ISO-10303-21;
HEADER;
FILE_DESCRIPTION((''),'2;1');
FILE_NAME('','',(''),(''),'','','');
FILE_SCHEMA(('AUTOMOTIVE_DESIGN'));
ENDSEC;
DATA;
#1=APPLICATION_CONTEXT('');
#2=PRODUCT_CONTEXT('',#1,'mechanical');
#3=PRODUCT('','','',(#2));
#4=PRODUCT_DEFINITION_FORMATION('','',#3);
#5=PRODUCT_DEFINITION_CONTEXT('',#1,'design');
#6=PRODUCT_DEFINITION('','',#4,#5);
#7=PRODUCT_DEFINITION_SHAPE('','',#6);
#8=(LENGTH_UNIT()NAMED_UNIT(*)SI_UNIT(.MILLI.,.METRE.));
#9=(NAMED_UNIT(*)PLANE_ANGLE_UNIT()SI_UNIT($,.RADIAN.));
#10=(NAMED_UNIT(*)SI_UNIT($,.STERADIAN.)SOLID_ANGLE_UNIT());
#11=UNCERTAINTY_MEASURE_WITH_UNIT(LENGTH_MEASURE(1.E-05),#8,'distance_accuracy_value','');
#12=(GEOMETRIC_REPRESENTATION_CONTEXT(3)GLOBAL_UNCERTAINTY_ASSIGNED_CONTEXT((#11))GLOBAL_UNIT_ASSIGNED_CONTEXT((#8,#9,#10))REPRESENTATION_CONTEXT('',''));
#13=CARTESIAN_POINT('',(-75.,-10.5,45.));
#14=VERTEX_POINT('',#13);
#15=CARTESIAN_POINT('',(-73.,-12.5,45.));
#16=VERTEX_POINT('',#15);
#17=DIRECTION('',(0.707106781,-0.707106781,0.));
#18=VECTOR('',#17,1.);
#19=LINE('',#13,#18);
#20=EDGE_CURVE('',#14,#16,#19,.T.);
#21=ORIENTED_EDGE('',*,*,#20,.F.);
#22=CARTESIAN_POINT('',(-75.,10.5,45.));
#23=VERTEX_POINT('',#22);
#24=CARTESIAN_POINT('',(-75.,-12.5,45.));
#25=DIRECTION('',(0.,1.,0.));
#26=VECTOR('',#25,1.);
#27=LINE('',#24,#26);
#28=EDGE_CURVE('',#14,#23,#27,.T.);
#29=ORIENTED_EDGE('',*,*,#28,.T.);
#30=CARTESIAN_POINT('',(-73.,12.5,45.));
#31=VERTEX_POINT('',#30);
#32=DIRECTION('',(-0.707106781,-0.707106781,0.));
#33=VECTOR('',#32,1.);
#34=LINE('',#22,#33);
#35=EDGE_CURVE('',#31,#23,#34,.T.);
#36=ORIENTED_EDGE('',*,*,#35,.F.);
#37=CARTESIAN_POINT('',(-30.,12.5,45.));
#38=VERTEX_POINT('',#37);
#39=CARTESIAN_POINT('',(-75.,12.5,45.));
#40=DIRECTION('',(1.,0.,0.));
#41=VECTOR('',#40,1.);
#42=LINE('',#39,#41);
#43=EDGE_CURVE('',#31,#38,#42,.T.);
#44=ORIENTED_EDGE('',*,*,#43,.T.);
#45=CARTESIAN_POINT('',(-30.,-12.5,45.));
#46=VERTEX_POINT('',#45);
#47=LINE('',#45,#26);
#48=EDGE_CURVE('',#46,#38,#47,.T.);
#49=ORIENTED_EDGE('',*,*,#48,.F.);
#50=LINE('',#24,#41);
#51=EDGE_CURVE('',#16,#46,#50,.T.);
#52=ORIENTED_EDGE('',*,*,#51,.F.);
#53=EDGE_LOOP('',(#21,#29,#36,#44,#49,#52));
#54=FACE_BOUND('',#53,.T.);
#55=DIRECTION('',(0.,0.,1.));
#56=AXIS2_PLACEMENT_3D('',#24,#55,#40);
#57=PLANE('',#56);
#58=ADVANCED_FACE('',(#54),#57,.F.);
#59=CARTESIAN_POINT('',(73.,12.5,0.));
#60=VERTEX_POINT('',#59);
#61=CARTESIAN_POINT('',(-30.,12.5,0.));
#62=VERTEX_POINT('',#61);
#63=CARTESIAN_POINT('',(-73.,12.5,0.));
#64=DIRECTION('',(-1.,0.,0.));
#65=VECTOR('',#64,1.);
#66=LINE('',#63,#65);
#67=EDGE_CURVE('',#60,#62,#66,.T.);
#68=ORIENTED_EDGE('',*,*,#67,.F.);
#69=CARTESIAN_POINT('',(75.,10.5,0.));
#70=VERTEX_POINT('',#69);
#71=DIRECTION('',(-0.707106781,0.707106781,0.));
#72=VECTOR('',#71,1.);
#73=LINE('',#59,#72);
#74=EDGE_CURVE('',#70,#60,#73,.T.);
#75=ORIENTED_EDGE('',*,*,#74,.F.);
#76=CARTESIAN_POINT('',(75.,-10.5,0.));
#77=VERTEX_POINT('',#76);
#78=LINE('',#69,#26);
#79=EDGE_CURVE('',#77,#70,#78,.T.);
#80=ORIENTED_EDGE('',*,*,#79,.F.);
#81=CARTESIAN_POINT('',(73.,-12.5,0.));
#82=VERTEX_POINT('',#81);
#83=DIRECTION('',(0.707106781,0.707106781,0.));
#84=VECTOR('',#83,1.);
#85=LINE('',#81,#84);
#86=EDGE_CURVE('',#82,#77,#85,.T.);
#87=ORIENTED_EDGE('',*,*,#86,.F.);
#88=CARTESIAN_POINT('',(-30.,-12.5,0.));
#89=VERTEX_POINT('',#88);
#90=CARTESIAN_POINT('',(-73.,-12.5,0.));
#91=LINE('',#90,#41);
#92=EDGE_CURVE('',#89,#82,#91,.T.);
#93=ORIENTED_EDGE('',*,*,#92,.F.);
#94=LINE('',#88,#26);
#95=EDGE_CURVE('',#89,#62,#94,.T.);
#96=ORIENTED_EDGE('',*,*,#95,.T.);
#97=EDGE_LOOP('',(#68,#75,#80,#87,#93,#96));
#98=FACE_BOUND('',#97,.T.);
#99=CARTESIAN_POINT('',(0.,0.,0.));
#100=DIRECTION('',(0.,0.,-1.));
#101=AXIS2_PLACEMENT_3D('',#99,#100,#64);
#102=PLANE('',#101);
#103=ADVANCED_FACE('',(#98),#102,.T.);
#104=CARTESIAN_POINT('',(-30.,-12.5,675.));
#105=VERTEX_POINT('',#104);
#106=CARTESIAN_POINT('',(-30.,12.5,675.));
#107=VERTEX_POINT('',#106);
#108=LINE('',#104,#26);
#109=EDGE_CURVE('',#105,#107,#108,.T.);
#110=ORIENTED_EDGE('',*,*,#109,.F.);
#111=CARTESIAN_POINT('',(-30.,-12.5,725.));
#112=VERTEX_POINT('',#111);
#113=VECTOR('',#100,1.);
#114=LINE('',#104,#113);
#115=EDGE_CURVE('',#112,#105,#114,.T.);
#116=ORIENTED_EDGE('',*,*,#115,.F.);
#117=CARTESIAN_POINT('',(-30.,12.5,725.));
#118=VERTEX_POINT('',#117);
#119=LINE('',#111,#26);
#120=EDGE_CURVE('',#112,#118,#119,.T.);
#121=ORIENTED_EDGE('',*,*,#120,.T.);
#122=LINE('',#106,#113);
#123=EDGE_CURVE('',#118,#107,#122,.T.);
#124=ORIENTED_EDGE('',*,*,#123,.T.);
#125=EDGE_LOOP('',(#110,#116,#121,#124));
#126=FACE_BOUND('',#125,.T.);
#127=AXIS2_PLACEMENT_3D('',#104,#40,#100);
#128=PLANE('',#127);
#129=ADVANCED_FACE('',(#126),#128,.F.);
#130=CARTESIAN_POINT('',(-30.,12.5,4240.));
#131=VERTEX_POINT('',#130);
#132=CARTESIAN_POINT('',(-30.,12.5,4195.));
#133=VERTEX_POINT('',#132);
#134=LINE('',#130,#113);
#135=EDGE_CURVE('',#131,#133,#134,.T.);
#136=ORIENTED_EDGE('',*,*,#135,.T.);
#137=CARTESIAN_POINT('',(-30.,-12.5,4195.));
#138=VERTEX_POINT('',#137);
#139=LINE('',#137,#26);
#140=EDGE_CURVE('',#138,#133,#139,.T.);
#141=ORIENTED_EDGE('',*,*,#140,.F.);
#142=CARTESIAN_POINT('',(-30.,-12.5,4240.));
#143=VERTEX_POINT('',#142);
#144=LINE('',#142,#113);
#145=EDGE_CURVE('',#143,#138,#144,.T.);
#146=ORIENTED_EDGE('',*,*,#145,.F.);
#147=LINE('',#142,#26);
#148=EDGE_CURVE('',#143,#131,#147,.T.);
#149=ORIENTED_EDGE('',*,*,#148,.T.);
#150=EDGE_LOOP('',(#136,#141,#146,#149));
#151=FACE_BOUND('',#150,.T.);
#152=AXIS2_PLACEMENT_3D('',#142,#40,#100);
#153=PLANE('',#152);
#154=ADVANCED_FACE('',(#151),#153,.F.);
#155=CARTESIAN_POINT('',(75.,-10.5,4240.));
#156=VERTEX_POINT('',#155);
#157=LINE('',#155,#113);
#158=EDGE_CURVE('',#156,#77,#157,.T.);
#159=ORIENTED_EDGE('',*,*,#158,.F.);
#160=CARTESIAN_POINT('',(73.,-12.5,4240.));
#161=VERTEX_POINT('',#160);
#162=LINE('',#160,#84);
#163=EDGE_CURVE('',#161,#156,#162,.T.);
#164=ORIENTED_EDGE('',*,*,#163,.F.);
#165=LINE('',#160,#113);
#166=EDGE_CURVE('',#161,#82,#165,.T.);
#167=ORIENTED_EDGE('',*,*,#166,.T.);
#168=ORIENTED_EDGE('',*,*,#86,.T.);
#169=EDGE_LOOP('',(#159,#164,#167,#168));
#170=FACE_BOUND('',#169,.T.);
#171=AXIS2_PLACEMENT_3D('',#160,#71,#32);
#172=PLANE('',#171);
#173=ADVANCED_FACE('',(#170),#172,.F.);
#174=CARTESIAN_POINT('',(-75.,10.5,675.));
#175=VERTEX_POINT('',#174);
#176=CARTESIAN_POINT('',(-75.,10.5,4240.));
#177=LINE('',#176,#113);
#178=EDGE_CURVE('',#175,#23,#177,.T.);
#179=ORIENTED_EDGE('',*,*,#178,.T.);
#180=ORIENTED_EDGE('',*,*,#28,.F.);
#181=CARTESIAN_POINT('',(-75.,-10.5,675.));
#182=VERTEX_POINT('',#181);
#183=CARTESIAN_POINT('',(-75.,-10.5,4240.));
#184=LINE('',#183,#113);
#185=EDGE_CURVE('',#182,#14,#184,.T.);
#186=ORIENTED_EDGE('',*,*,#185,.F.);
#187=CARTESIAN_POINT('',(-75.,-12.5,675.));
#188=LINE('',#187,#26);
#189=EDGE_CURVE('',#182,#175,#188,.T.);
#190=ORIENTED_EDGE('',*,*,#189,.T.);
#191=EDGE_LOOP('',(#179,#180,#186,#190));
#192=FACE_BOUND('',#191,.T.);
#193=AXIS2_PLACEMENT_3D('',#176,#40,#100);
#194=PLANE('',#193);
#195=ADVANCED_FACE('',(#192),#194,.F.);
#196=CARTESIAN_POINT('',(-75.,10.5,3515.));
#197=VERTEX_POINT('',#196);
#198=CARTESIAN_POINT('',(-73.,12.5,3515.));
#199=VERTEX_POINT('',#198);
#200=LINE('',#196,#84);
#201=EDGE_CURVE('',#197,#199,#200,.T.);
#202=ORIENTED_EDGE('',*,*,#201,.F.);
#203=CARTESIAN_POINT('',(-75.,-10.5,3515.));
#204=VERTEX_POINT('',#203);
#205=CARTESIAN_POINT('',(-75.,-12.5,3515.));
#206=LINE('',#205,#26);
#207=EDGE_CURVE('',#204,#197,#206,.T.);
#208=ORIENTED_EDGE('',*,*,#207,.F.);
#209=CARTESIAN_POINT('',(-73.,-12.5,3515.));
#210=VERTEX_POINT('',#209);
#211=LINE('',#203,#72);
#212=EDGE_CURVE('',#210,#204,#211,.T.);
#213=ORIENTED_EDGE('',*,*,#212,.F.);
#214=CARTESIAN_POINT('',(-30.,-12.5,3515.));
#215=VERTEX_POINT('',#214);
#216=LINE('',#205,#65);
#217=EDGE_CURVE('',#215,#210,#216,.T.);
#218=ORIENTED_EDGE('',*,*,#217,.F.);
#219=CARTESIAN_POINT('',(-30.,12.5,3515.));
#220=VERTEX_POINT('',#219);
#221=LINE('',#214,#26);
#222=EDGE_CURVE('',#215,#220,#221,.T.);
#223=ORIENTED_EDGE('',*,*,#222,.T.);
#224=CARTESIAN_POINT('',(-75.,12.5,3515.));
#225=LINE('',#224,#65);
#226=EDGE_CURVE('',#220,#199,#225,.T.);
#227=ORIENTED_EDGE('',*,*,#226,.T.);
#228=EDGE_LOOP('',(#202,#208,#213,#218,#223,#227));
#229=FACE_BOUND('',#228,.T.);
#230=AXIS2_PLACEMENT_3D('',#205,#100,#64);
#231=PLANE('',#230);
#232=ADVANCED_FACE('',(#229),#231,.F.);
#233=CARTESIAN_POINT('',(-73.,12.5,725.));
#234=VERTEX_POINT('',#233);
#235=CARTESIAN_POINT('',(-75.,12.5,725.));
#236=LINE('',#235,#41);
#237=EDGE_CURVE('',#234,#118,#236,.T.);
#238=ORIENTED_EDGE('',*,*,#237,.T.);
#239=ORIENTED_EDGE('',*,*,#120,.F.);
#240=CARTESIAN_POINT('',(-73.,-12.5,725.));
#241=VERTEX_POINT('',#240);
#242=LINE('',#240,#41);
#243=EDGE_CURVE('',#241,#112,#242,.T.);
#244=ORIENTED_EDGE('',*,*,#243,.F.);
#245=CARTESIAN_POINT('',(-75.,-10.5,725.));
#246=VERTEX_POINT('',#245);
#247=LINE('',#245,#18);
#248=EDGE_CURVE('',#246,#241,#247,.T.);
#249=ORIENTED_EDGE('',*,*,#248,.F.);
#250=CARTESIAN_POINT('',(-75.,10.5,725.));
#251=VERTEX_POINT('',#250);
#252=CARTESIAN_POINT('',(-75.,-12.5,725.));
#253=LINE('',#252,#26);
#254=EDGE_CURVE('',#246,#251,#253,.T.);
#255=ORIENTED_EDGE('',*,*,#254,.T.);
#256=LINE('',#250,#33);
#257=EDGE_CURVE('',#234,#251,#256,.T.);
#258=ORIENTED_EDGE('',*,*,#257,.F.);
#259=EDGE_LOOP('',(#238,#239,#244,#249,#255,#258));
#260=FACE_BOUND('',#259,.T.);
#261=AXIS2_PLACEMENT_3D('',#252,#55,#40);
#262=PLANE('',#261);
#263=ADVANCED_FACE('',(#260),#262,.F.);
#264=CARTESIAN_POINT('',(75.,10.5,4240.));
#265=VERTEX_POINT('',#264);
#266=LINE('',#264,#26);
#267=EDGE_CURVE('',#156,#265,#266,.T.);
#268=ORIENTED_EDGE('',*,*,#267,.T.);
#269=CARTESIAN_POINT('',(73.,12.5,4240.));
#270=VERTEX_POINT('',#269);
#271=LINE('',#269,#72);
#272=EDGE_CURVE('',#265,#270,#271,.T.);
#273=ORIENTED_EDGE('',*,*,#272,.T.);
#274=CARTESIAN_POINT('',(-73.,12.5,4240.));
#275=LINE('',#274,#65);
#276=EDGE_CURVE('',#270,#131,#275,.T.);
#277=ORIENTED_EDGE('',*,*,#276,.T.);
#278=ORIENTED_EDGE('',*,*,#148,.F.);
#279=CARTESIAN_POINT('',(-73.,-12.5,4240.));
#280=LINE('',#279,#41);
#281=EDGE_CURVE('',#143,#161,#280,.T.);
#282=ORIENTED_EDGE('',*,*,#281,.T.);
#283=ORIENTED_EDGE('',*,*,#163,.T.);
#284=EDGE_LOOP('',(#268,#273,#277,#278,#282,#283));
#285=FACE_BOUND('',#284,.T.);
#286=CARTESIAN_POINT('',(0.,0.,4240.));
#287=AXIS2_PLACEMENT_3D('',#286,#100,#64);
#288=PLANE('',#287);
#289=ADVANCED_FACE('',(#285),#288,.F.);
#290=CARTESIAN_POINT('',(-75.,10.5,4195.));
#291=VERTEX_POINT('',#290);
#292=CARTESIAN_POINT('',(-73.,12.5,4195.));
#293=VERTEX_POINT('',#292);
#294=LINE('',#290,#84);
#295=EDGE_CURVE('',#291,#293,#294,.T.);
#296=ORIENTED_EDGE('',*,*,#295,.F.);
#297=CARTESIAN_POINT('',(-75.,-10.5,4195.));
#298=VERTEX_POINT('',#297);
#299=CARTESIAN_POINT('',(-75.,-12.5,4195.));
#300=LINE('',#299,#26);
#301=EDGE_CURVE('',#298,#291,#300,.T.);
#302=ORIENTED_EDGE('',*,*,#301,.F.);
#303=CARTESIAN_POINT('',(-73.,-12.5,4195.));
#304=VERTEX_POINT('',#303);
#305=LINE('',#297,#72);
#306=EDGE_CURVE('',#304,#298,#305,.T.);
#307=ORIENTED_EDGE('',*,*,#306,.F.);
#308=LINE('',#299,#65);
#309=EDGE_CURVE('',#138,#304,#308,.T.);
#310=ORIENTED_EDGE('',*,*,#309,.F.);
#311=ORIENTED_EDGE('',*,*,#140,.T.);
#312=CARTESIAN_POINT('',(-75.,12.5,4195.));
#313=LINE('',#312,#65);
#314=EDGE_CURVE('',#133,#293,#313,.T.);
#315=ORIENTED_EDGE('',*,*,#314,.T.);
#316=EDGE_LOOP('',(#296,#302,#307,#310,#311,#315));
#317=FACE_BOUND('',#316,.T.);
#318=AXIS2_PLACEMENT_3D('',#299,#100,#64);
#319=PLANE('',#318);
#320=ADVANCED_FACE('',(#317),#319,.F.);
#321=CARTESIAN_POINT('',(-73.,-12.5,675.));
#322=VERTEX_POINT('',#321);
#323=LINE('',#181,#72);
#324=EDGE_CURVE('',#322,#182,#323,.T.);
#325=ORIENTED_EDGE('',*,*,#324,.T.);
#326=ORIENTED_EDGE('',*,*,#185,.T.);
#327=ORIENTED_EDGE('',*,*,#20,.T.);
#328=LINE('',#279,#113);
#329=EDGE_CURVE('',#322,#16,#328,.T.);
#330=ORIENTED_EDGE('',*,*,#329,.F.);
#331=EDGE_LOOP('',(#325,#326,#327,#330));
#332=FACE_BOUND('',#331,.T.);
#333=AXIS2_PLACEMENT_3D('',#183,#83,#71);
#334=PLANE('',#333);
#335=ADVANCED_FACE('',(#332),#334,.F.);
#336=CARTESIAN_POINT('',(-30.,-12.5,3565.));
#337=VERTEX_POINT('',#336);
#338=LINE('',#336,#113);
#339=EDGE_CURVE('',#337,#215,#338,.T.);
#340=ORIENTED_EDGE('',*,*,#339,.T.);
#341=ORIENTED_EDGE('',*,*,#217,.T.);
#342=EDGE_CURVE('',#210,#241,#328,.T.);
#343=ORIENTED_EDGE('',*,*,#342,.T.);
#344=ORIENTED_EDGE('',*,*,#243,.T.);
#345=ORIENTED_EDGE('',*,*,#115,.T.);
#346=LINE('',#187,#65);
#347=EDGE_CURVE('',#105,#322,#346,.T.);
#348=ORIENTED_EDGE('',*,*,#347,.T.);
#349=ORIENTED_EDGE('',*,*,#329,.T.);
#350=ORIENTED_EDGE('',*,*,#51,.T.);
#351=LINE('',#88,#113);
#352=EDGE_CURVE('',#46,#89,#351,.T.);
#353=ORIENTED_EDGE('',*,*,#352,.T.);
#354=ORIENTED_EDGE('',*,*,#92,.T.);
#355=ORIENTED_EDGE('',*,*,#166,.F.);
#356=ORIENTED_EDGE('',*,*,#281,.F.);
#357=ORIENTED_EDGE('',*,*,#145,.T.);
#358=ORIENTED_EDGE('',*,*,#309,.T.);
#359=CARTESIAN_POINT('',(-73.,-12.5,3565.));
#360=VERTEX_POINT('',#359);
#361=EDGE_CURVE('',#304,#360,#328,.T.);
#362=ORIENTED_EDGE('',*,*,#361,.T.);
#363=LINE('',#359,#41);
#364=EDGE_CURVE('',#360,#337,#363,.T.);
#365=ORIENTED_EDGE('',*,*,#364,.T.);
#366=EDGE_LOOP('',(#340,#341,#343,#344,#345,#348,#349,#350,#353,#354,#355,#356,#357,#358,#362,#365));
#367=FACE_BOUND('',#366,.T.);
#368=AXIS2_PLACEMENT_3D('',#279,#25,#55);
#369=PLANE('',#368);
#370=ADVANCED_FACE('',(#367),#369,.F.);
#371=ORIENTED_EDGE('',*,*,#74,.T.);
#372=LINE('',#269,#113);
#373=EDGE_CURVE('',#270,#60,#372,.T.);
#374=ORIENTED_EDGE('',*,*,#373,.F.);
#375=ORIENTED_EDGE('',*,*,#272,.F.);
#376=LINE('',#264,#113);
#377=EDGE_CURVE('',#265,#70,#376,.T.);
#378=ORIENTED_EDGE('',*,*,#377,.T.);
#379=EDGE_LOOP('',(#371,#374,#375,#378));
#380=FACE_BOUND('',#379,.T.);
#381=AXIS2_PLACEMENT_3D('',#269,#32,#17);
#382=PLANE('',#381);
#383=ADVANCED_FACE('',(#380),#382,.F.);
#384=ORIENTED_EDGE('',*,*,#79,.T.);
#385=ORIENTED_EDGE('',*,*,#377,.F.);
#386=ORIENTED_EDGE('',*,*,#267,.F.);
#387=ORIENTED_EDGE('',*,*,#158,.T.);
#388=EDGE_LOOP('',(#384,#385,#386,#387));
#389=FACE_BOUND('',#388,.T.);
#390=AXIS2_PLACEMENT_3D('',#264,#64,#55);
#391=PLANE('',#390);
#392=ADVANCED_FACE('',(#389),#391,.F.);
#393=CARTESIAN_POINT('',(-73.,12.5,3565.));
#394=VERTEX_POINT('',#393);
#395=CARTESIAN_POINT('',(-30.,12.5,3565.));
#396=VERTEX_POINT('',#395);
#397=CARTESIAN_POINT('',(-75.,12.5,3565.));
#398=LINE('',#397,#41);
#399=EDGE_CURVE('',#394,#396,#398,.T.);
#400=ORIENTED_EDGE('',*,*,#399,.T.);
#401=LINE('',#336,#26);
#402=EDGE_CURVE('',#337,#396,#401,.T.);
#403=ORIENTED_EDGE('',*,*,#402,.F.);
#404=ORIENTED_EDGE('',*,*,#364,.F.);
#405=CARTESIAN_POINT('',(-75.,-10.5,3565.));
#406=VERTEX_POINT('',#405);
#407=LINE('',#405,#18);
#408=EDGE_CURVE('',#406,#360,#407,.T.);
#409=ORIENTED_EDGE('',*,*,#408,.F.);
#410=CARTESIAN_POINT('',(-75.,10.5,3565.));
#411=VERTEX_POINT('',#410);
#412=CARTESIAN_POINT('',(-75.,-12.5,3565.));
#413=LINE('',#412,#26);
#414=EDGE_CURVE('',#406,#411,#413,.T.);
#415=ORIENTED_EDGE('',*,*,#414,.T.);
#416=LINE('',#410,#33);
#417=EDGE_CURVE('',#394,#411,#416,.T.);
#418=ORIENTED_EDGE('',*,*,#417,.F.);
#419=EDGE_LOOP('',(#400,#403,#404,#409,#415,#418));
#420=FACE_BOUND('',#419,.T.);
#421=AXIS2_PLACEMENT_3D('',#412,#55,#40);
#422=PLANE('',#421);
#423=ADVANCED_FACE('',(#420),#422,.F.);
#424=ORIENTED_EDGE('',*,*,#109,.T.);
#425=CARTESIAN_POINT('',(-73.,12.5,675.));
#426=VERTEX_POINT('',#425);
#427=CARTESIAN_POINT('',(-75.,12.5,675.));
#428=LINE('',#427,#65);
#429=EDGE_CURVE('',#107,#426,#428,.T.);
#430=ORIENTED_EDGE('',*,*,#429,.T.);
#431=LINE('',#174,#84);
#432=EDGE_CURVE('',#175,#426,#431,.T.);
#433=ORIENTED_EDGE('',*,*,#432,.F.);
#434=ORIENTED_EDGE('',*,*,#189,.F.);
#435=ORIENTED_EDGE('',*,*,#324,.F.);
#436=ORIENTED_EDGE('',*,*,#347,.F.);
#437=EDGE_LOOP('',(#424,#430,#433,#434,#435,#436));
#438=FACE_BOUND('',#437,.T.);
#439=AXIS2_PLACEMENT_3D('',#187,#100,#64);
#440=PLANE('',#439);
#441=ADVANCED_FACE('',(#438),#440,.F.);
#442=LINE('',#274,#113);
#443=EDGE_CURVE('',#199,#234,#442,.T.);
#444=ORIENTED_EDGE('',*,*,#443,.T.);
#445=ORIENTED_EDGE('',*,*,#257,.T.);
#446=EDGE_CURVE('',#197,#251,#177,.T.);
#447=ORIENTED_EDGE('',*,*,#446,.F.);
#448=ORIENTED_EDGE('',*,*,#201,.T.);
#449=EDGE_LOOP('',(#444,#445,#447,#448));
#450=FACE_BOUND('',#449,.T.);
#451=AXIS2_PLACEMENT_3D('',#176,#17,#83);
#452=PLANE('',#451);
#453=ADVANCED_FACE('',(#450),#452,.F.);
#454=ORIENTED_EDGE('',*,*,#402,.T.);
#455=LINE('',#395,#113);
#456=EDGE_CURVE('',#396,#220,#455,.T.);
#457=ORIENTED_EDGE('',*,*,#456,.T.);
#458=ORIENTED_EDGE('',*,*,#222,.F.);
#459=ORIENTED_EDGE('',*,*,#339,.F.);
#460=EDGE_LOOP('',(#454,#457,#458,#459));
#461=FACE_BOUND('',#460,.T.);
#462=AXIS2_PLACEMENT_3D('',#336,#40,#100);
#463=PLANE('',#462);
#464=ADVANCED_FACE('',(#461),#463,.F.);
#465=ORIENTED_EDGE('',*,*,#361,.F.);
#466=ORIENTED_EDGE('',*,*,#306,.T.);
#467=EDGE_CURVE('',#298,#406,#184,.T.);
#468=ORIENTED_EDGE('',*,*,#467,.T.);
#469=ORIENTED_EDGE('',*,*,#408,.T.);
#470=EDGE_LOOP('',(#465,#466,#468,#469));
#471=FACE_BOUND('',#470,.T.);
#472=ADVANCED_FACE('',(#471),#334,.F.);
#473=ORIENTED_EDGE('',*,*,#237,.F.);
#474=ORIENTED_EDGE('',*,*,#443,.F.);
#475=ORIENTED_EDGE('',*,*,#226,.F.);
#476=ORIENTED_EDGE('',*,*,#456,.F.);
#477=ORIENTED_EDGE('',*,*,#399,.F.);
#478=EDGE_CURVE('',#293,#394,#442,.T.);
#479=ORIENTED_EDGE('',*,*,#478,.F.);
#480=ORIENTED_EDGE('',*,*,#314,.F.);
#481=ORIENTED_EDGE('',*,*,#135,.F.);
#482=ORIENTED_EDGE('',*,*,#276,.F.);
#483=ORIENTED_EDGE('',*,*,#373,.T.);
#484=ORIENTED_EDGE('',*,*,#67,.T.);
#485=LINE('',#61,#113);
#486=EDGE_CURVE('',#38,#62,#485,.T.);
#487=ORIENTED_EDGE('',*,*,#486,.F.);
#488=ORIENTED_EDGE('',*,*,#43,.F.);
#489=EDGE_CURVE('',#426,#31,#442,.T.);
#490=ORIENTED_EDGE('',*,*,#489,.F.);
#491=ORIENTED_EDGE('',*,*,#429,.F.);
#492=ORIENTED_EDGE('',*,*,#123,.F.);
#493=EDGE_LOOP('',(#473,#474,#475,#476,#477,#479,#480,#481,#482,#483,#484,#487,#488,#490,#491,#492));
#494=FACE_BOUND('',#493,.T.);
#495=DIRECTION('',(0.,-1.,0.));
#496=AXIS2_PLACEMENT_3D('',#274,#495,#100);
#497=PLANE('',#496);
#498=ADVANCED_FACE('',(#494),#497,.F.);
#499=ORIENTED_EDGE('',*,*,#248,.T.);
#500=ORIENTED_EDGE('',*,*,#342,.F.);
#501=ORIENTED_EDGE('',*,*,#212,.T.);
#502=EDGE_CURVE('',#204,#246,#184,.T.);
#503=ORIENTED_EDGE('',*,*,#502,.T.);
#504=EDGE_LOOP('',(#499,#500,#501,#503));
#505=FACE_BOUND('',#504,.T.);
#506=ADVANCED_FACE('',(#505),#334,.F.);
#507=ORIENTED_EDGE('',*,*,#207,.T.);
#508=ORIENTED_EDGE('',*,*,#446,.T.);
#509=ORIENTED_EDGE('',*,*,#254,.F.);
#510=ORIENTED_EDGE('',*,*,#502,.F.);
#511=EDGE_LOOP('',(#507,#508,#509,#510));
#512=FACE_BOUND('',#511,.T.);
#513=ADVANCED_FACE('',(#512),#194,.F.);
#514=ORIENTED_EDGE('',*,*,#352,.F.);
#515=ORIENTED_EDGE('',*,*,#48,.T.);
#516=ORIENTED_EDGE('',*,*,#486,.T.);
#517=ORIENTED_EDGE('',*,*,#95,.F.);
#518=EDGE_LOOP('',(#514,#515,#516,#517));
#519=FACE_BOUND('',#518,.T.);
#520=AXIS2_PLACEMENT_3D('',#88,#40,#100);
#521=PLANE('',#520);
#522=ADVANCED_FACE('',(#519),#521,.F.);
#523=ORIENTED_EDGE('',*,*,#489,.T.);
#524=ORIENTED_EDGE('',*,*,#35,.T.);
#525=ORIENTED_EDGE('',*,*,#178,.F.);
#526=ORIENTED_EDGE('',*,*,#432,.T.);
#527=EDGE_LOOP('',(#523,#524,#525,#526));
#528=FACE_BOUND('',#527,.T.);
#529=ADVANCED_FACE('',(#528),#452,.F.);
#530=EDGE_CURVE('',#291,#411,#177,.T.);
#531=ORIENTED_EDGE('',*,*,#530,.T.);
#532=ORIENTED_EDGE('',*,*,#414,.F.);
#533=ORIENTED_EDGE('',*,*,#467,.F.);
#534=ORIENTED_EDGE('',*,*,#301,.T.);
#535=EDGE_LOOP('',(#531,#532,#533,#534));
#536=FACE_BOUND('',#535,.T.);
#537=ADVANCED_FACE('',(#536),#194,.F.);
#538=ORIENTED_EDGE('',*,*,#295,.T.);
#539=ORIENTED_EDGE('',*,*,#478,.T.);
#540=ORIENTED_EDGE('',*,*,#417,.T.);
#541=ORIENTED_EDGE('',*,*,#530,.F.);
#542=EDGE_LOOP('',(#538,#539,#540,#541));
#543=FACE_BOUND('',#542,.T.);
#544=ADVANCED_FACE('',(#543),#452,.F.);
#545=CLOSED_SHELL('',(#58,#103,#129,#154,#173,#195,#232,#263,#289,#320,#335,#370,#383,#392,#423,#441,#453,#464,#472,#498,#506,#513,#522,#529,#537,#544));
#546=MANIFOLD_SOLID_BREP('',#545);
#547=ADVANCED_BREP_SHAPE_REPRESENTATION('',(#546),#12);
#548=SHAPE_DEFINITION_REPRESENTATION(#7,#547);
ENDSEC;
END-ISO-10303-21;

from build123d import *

# Parameters (mm, degrees)
EXTRUDE_1_DEPTH     = 4240
SKETCH_2_W          = 45
SKETCH_2_H          = 45
SKETCH_2_H_2        = 50
CUT_EXTRUDE_4_DEPTH = 4241.736964255


with BuildPart() as part:
    # Эскиз1 → Бобышка-Вытянуть1 (new body)
    with BuildSketch(Plane.XY):
        Polygon((-75, 10.5), (-73, 12.5), (73, 12.5), (75, 10.5), (75, -10.5), (73, -12.5), (-73, -12.5), (-75, -10.5), align=None)
    extrude(amount=EXTRUDE_1_DEPTH)

    # Эскиз2 → Вырез-Вытянуть4 (cut, through all)
    with BuildSketch(Plane(origin=(0, 12.5, 0), x_dir=(1, 0, 0), z_dir=(0, 1, 0))):
        with Locations((-52.5, -22.5)):
            Rectangle(SKETCH_2_W, SKETCH_2_H)
        with Locations((-52.5, -4217.5)):
            Rectangle(SKETCH_2_W, SKETCH_2_H)
        with Locations((-52.5, -700)):
            Rectangle(SKETCH_2_W, SKETCH_2_H_2)
        with Locations((-52.5, -3540)):
            Rectangle(SKETCH_2_W, SKETCH_2_H_2)
    extrude(amount=-CUT_EXTRUDE_4_DEPTH, mode=Mode.SUBTRACT)


solid = part.part
